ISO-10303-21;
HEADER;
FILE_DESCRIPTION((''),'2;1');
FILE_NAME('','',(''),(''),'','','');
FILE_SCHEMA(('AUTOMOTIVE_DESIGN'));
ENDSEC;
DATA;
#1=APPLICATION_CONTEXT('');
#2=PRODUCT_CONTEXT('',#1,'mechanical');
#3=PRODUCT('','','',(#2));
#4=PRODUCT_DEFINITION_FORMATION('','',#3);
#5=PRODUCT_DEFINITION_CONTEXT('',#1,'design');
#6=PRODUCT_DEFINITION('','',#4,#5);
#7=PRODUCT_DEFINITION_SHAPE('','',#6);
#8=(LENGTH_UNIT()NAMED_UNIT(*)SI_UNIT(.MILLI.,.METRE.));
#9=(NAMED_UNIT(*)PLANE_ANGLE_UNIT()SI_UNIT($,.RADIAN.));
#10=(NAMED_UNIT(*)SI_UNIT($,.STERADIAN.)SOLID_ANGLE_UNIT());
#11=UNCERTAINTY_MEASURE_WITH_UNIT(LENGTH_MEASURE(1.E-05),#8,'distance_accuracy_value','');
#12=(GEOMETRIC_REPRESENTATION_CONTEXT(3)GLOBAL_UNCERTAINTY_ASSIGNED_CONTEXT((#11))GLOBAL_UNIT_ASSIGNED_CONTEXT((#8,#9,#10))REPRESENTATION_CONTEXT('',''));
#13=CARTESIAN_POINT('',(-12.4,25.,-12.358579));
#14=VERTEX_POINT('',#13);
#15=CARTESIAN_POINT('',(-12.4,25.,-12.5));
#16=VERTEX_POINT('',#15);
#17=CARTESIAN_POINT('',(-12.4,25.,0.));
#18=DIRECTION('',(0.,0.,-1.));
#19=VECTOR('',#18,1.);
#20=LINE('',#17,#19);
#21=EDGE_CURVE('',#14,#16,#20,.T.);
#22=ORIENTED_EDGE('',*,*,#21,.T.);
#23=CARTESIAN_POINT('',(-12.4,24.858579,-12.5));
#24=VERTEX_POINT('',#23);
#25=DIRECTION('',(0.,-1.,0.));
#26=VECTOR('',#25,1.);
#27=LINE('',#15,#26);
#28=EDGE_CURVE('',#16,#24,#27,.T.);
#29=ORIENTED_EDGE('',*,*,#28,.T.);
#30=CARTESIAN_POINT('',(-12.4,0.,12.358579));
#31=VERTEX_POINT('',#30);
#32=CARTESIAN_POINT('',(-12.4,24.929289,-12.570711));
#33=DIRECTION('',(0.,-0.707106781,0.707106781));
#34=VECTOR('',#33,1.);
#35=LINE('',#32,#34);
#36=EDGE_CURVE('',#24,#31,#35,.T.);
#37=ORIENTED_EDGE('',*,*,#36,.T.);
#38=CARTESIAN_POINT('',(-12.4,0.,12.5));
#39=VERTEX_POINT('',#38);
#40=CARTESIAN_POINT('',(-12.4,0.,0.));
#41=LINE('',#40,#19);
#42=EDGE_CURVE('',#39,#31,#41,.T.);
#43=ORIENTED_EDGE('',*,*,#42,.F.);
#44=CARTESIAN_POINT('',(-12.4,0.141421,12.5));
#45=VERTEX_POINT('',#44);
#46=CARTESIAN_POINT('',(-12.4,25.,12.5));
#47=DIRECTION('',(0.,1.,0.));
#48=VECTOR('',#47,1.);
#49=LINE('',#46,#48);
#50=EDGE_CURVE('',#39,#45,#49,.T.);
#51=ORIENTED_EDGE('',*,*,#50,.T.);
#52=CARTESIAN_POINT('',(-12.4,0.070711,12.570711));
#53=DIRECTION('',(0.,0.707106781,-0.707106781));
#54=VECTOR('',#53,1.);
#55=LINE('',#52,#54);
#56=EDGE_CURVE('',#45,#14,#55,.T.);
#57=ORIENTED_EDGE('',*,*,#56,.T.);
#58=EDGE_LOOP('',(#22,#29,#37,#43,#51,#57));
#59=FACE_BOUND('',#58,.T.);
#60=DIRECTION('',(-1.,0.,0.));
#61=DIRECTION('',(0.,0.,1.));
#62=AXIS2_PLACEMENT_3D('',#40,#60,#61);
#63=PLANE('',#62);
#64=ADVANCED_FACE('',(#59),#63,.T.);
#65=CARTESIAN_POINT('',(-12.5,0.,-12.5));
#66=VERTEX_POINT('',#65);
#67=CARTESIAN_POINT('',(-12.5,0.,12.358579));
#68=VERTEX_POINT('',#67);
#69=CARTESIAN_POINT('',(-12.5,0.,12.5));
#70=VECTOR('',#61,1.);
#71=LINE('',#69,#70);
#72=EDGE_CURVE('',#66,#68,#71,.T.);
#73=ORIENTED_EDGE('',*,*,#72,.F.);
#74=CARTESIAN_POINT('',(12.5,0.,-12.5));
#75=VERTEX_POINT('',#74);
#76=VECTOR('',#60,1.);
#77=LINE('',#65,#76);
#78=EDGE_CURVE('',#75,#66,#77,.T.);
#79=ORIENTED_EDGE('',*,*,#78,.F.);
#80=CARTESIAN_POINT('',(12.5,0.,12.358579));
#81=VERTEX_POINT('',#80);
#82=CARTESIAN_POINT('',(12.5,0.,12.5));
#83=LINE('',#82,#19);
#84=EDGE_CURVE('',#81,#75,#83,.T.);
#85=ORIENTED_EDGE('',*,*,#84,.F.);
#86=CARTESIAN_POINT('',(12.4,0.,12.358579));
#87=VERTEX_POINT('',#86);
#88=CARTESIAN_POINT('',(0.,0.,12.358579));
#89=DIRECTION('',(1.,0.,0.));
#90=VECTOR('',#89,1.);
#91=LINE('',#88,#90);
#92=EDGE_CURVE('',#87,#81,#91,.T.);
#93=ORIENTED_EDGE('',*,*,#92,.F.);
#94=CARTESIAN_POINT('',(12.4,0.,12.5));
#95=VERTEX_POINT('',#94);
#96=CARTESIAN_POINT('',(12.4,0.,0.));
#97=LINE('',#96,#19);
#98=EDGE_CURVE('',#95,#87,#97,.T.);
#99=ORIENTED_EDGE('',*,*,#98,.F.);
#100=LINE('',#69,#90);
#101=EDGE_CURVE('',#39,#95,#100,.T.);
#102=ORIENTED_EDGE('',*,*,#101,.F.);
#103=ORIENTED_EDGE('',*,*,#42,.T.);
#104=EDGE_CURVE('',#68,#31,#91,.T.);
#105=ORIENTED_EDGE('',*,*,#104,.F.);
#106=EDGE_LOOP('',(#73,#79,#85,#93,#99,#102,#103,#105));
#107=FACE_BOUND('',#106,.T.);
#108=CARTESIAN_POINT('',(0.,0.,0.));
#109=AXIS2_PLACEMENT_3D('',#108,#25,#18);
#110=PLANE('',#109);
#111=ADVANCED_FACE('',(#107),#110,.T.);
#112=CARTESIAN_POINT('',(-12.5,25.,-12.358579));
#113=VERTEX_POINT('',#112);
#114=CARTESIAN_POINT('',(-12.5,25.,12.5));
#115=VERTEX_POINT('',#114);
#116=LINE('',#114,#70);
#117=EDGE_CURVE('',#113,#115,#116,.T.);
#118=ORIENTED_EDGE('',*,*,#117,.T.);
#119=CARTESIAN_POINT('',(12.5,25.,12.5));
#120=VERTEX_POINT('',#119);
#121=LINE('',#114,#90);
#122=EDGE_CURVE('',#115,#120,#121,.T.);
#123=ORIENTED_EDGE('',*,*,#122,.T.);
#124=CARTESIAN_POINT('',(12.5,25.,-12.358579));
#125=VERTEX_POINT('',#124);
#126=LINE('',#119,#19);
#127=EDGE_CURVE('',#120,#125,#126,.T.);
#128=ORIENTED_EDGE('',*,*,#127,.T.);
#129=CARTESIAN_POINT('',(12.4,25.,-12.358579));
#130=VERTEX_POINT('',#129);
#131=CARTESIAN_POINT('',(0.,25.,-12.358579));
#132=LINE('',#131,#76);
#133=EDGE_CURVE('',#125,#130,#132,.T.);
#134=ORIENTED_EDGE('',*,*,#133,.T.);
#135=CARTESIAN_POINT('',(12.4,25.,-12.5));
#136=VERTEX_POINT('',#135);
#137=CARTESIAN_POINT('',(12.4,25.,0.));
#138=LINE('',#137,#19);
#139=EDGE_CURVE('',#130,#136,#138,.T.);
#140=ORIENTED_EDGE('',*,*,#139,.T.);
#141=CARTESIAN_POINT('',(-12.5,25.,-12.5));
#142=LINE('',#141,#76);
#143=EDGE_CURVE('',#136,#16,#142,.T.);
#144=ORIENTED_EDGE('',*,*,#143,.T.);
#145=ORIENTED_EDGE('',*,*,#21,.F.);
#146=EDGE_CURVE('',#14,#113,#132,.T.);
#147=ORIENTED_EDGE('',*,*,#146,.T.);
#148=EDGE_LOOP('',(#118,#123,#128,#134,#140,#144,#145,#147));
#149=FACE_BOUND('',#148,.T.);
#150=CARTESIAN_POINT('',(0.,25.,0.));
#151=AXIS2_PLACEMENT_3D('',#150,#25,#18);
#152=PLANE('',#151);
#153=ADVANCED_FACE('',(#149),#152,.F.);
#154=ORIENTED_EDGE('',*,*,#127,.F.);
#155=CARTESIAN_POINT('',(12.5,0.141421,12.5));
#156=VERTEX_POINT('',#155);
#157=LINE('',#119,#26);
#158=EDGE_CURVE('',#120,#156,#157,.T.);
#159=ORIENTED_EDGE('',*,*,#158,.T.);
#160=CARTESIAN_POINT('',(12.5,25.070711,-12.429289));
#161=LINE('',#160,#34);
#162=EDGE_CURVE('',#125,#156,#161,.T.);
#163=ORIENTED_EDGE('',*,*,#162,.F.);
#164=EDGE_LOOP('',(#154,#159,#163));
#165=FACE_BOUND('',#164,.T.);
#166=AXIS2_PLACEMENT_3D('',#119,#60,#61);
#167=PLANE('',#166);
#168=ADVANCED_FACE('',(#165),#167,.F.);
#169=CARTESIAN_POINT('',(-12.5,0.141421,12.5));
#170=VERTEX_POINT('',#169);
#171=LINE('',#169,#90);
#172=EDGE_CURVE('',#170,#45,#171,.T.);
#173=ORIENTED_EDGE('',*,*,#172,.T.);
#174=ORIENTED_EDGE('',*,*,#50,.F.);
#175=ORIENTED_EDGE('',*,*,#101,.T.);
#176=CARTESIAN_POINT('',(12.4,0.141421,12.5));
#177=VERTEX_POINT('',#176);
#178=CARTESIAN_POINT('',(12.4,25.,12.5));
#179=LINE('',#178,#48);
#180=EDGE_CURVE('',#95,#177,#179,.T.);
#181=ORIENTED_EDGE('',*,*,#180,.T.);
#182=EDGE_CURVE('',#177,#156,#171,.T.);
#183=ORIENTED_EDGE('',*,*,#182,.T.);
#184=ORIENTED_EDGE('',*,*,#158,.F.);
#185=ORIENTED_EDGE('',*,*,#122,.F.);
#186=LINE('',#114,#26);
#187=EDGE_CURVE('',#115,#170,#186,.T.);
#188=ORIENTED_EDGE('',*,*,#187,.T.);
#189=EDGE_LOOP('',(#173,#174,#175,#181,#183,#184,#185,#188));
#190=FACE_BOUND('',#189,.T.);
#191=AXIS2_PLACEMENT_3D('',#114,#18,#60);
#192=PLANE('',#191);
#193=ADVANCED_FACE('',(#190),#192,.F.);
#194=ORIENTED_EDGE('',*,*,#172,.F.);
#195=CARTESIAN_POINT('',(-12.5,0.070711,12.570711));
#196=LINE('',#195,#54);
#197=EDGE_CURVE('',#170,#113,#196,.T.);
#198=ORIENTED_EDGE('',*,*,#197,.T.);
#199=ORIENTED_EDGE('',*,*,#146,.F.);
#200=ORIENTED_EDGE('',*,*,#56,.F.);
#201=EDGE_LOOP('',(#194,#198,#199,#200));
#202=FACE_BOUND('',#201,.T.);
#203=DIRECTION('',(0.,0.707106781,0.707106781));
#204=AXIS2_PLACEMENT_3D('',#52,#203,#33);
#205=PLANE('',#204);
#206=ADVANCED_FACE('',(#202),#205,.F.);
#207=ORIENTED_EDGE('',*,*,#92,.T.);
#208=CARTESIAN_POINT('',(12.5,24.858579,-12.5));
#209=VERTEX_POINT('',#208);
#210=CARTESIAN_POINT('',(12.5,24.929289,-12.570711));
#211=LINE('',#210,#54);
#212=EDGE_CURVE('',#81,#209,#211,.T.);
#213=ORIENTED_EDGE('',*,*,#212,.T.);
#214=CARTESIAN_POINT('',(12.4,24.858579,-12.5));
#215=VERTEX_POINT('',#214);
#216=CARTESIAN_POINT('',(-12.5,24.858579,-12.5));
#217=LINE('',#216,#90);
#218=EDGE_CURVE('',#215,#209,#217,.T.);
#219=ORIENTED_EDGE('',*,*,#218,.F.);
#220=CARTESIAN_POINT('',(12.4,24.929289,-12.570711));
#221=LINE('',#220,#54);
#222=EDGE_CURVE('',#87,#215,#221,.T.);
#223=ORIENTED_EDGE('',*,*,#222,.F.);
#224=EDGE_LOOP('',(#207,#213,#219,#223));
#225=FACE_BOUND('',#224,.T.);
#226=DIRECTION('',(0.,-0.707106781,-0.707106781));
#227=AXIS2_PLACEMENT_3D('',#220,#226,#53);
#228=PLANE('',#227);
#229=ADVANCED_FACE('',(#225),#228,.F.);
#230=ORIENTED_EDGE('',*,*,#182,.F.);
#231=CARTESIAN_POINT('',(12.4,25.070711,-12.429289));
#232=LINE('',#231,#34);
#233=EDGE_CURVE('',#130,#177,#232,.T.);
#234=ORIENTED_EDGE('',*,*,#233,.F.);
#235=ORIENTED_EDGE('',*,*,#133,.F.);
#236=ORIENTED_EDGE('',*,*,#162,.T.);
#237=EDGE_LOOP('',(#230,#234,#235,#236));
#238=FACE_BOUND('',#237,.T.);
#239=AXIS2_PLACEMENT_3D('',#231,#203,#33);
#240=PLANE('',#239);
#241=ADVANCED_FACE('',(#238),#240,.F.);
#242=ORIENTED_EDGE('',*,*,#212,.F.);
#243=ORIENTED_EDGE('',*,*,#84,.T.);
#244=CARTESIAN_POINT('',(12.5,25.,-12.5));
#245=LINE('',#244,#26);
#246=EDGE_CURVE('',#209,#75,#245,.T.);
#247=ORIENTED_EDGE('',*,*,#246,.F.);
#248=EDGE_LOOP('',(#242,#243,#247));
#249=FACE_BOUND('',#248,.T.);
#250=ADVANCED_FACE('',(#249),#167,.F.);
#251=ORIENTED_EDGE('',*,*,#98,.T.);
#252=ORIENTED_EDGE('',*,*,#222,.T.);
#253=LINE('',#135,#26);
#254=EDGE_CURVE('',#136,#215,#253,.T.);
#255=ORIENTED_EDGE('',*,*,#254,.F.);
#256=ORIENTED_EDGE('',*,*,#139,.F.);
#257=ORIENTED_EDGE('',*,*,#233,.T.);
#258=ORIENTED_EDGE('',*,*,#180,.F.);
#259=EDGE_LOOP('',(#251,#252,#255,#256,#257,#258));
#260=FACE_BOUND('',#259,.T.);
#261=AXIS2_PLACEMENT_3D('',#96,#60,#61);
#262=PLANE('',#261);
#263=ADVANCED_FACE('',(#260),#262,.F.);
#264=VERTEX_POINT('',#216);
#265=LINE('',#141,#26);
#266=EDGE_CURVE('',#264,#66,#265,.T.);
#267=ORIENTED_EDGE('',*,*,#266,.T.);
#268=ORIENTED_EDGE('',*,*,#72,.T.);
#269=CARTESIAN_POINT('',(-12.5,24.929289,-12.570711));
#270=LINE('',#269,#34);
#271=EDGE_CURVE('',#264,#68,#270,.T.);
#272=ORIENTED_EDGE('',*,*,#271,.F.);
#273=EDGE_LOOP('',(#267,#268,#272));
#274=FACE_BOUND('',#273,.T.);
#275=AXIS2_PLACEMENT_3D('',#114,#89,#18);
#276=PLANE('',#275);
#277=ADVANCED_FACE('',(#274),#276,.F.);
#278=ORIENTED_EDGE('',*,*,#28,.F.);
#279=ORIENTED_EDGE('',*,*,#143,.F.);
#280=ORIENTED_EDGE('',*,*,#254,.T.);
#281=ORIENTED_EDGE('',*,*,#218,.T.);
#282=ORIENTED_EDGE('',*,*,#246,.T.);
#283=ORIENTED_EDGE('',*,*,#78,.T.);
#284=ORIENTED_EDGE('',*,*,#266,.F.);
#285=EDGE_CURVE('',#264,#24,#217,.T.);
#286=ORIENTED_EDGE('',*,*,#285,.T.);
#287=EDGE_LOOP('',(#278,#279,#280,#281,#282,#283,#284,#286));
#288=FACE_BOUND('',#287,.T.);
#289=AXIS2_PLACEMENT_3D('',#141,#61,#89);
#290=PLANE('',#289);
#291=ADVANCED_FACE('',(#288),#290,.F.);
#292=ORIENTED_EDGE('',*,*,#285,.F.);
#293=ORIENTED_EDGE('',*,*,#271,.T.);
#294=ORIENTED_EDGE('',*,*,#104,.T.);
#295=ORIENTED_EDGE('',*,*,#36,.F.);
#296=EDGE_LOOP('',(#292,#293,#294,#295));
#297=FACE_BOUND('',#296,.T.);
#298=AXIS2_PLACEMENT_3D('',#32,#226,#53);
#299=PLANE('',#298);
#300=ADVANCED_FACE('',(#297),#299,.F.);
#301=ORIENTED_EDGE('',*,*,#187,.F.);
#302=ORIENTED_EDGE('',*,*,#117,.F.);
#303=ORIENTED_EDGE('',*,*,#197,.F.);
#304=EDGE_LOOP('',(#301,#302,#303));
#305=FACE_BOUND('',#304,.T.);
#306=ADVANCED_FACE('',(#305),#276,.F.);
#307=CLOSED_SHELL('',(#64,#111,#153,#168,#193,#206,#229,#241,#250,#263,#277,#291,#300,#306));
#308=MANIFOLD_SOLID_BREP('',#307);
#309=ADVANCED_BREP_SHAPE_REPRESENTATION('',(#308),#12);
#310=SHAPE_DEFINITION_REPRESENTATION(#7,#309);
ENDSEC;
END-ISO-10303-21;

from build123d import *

# Parameters (mm, degrees)
SKETCH_1_W          = 25
SKETCH_1_H          = 25
EXTRUDE_1_DEPTH     = 25
CUT_EXTRUDE_1_DEPTH = 0.1
CUT_EXTRUDE_2_DEPTH = 0.1


with BuildPart() as part:
    # 草图1 → 凸台-拉伸1 (new body)
    with BuildSketch(Plane(origin=(0, 0, 0), x_dir=(1, 0, 0), z_dir=(0, 1, 0))):
        Rectangle(SKETCH_1_W, SKETCH_1_H)
    extrude(amount=EXTRUDE_1_DEPTH)

    # 草图2 → 切除-拉伸1 (cut)
    with BuildSketch(Plane(origin=(12.5, 0, 0), x_dir=(0, 0, -1), z_dir=(1, 0, 0))):
        Polygon((12.429289322, 25.070710678), (-12.570710678, 0.070710678), (-12.429289322, -0.070710678), (12.570710678, 24.929289322), align=None)
    extrude(amount=-CUT_EXTRUDE_1_DEPTH, mode=Mode.SUBTRACT)

    # 草图3 → 切除-拉伸2 (cut)
    with BuildSketch(Plane.ZY.offset(12.5)):
        Polygon((12.570710678, 0.070710678), (-12.429289322, 25.070710678), (-12.570710678, 24.929289322), (12.429289322, -0.070710678), align=None)
    extrude(amount=-CUT_EXTRUDE_2_DEPTH, mode=Mode.SUBTRACT)


solid = part.part
